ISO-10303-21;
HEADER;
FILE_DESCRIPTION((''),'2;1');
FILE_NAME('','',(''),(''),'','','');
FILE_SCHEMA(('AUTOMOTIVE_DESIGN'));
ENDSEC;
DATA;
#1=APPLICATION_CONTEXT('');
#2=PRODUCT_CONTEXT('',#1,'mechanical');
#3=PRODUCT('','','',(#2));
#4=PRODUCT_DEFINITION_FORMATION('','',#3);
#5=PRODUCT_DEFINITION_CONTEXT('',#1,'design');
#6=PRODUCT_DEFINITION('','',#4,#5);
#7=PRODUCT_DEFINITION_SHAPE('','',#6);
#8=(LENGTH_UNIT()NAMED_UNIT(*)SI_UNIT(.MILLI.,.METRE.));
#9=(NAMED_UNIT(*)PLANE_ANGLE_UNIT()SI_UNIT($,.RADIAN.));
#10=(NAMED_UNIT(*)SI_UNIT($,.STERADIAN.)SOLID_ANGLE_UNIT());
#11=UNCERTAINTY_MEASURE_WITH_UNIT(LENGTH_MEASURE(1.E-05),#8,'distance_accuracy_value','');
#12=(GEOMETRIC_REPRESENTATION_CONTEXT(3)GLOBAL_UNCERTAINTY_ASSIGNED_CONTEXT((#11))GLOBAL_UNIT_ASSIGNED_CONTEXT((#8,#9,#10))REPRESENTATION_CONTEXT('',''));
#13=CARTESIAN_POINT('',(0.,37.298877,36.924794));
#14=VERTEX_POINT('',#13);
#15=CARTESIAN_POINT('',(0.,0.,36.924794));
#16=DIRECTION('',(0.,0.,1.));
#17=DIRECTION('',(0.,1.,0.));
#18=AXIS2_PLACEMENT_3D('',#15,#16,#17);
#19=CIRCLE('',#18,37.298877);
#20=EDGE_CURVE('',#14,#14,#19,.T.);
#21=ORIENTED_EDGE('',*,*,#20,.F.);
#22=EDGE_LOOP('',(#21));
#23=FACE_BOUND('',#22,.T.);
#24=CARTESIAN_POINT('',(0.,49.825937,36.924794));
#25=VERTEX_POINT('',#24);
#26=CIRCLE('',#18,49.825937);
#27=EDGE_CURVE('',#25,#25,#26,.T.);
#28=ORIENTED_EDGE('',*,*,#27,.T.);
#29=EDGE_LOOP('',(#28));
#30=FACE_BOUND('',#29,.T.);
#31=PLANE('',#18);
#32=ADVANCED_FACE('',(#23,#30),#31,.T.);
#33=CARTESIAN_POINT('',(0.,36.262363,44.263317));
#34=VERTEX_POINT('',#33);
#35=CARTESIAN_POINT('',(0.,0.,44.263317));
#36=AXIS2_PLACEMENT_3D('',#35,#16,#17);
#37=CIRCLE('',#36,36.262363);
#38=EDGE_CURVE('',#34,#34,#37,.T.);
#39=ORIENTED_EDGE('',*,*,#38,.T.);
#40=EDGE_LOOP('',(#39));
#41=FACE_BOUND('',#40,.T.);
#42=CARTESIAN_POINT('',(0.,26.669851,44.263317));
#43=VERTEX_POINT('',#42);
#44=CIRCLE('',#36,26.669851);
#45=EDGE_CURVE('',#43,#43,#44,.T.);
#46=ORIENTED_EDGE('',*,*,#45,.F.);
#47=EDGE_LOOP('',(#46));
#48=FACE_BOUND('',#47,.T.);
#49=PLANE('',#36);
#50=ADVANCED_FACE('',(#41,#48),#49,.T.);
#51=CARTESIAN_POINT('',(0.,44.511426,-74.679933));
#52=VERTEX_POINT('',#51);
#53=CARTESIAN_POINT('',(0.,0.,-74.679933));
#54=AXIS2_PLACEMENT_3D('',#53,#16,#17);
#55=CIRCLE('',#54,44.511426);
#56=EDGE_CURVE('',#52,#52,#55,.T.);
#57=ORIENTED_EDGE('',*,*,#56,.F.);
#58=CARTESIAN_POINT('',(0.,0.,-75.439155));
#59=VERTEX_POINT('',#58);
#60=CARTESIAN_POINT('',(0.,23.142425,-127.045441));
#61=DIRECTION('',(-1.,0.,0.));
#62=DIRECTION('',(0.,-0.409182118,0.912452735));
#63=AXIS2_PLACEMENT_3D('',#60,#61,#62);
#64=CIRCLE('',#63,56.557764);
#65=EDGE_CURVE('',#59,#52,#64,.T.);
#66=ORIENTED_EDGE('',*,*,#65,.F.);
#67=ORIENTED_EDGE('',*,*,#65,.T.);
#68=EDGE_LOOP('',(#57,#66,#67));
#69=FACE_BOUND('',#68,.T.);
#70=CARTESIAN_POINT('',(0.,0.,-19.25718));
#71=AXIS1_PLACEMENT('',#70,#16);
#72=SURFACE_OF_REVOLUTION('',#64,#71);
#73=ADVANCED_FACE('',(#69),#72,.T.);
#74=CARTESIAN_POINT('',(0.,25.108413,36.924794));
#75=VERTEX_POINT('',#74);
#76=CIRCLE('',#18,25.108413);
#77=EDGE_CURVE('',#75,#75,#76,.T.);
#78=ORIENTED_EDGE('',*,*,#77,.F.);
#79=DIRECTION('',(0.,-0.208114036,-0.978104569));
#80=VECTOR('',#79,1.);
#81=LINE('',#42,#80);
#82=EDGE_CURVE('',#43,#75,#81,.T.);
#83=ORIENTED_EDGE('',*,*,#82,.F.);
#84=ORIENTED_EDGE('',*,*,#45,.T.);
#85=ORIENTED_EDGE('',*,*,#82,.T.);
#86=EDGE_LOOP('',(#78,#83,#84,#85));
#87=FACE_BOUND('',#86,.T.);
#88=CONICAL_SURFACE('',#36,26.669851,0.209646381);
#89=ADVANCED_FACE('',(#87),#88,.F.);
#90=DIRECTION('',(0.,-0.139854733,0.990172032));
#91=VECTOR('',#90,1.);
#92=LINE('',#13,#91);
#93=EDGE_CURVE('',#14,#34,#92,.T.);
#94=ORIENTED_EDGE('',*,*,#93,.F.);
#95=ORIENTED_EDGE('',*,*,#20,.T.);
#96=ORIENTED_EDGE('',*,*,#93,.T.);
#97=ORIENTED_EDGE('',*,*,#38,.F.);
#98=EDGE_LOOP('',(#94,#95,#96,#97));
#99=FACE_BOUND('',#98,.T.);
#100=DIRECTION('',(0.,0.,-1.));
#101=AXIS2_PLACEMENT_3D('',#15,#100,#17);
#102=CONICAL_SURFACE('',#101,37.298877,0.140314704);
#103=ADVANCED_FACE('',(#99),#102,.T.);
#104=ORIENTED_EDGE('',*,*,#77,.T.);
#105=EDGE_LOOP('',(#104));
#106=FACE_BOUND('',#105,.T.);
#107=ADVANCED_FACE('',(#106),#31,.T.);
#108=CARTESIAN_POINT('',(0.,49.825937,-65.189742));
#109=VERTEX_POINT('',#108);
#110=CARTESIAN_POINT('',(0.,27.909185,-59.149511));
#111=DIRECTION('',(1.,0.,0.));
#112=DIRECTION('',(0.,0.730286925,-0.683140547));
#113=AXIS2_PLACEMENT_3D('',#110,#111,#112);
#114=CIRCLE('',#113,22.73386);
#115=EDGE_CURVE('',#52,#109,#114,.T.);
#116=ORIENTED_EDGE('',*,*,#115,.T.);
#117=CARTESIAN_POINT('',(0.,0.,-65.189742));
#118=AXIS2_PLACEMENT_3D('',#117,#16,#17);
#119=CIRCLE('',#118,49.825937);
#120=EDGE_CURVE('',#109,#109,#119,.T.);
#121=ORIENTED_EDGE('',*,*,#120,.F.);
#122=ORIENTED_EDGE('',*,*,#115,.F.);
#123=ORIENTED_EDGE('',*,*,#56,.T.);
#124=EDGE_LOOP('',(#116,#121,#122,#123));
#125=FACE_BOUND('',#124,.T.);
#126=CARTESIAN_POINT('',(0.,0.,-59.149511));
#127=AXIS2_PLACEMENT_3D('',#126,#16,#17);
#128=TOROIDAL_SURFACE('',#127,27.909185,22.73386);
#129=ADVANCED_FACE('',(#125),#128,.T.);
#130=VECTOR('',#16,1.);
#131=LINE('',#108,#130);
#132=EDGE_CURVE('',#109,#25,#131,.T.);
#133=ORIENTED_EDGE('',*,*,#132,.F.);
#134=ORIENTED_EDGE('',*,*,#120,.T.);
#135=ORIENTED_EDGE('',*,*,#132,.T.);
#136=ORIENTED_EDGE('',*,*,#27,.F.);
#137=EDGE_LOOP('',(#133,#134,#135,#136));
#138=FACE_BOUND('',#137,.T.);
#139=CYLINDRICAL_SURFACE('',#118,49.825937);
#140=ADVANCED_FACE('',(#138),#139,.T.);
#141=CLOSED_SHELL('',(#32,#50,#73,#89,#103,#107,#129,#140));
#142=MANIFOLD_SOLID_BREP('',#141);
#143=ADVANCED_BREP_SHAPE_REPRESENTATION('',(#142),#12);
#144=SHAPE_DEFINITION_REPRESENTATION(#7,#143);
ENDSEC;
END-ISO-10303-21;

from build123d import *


with BuildPart() as f1:
    # F0 (on Right) → F1 (revolve)
    with BuildSketch(Plane.YZ):
        with BuildLine():
            ThreePointArc((0, -75.439155), (22.177872, -70.495903), (44.511426, -74.679933))
            ThreePointArc((44.511426, -74.679933), (47.744611, -70.257359), (49.825937, -65.189742))
            Line((49.825937, -65.189742), (49.825937, 36.924794))
            Line((49.825937, 36.924794), (37.298877, 36.924794))
            Line((37.298877, 36.924794), (36.262363, 44.263317))
            Line((36.262363, 44.263317), (26.669851, 44.263317))
            Line((26.669851, 44.263317), (25.108413, 36.924794))
            Line((25.108413, 36.924794), (0, 36.924794))
            Line((0, 36.924794), (0, -75.439155))
        make_face()
    revolve(axis=Axis((0, 0, -19.25718), (0, 0, 1)))


solid = f1.part
